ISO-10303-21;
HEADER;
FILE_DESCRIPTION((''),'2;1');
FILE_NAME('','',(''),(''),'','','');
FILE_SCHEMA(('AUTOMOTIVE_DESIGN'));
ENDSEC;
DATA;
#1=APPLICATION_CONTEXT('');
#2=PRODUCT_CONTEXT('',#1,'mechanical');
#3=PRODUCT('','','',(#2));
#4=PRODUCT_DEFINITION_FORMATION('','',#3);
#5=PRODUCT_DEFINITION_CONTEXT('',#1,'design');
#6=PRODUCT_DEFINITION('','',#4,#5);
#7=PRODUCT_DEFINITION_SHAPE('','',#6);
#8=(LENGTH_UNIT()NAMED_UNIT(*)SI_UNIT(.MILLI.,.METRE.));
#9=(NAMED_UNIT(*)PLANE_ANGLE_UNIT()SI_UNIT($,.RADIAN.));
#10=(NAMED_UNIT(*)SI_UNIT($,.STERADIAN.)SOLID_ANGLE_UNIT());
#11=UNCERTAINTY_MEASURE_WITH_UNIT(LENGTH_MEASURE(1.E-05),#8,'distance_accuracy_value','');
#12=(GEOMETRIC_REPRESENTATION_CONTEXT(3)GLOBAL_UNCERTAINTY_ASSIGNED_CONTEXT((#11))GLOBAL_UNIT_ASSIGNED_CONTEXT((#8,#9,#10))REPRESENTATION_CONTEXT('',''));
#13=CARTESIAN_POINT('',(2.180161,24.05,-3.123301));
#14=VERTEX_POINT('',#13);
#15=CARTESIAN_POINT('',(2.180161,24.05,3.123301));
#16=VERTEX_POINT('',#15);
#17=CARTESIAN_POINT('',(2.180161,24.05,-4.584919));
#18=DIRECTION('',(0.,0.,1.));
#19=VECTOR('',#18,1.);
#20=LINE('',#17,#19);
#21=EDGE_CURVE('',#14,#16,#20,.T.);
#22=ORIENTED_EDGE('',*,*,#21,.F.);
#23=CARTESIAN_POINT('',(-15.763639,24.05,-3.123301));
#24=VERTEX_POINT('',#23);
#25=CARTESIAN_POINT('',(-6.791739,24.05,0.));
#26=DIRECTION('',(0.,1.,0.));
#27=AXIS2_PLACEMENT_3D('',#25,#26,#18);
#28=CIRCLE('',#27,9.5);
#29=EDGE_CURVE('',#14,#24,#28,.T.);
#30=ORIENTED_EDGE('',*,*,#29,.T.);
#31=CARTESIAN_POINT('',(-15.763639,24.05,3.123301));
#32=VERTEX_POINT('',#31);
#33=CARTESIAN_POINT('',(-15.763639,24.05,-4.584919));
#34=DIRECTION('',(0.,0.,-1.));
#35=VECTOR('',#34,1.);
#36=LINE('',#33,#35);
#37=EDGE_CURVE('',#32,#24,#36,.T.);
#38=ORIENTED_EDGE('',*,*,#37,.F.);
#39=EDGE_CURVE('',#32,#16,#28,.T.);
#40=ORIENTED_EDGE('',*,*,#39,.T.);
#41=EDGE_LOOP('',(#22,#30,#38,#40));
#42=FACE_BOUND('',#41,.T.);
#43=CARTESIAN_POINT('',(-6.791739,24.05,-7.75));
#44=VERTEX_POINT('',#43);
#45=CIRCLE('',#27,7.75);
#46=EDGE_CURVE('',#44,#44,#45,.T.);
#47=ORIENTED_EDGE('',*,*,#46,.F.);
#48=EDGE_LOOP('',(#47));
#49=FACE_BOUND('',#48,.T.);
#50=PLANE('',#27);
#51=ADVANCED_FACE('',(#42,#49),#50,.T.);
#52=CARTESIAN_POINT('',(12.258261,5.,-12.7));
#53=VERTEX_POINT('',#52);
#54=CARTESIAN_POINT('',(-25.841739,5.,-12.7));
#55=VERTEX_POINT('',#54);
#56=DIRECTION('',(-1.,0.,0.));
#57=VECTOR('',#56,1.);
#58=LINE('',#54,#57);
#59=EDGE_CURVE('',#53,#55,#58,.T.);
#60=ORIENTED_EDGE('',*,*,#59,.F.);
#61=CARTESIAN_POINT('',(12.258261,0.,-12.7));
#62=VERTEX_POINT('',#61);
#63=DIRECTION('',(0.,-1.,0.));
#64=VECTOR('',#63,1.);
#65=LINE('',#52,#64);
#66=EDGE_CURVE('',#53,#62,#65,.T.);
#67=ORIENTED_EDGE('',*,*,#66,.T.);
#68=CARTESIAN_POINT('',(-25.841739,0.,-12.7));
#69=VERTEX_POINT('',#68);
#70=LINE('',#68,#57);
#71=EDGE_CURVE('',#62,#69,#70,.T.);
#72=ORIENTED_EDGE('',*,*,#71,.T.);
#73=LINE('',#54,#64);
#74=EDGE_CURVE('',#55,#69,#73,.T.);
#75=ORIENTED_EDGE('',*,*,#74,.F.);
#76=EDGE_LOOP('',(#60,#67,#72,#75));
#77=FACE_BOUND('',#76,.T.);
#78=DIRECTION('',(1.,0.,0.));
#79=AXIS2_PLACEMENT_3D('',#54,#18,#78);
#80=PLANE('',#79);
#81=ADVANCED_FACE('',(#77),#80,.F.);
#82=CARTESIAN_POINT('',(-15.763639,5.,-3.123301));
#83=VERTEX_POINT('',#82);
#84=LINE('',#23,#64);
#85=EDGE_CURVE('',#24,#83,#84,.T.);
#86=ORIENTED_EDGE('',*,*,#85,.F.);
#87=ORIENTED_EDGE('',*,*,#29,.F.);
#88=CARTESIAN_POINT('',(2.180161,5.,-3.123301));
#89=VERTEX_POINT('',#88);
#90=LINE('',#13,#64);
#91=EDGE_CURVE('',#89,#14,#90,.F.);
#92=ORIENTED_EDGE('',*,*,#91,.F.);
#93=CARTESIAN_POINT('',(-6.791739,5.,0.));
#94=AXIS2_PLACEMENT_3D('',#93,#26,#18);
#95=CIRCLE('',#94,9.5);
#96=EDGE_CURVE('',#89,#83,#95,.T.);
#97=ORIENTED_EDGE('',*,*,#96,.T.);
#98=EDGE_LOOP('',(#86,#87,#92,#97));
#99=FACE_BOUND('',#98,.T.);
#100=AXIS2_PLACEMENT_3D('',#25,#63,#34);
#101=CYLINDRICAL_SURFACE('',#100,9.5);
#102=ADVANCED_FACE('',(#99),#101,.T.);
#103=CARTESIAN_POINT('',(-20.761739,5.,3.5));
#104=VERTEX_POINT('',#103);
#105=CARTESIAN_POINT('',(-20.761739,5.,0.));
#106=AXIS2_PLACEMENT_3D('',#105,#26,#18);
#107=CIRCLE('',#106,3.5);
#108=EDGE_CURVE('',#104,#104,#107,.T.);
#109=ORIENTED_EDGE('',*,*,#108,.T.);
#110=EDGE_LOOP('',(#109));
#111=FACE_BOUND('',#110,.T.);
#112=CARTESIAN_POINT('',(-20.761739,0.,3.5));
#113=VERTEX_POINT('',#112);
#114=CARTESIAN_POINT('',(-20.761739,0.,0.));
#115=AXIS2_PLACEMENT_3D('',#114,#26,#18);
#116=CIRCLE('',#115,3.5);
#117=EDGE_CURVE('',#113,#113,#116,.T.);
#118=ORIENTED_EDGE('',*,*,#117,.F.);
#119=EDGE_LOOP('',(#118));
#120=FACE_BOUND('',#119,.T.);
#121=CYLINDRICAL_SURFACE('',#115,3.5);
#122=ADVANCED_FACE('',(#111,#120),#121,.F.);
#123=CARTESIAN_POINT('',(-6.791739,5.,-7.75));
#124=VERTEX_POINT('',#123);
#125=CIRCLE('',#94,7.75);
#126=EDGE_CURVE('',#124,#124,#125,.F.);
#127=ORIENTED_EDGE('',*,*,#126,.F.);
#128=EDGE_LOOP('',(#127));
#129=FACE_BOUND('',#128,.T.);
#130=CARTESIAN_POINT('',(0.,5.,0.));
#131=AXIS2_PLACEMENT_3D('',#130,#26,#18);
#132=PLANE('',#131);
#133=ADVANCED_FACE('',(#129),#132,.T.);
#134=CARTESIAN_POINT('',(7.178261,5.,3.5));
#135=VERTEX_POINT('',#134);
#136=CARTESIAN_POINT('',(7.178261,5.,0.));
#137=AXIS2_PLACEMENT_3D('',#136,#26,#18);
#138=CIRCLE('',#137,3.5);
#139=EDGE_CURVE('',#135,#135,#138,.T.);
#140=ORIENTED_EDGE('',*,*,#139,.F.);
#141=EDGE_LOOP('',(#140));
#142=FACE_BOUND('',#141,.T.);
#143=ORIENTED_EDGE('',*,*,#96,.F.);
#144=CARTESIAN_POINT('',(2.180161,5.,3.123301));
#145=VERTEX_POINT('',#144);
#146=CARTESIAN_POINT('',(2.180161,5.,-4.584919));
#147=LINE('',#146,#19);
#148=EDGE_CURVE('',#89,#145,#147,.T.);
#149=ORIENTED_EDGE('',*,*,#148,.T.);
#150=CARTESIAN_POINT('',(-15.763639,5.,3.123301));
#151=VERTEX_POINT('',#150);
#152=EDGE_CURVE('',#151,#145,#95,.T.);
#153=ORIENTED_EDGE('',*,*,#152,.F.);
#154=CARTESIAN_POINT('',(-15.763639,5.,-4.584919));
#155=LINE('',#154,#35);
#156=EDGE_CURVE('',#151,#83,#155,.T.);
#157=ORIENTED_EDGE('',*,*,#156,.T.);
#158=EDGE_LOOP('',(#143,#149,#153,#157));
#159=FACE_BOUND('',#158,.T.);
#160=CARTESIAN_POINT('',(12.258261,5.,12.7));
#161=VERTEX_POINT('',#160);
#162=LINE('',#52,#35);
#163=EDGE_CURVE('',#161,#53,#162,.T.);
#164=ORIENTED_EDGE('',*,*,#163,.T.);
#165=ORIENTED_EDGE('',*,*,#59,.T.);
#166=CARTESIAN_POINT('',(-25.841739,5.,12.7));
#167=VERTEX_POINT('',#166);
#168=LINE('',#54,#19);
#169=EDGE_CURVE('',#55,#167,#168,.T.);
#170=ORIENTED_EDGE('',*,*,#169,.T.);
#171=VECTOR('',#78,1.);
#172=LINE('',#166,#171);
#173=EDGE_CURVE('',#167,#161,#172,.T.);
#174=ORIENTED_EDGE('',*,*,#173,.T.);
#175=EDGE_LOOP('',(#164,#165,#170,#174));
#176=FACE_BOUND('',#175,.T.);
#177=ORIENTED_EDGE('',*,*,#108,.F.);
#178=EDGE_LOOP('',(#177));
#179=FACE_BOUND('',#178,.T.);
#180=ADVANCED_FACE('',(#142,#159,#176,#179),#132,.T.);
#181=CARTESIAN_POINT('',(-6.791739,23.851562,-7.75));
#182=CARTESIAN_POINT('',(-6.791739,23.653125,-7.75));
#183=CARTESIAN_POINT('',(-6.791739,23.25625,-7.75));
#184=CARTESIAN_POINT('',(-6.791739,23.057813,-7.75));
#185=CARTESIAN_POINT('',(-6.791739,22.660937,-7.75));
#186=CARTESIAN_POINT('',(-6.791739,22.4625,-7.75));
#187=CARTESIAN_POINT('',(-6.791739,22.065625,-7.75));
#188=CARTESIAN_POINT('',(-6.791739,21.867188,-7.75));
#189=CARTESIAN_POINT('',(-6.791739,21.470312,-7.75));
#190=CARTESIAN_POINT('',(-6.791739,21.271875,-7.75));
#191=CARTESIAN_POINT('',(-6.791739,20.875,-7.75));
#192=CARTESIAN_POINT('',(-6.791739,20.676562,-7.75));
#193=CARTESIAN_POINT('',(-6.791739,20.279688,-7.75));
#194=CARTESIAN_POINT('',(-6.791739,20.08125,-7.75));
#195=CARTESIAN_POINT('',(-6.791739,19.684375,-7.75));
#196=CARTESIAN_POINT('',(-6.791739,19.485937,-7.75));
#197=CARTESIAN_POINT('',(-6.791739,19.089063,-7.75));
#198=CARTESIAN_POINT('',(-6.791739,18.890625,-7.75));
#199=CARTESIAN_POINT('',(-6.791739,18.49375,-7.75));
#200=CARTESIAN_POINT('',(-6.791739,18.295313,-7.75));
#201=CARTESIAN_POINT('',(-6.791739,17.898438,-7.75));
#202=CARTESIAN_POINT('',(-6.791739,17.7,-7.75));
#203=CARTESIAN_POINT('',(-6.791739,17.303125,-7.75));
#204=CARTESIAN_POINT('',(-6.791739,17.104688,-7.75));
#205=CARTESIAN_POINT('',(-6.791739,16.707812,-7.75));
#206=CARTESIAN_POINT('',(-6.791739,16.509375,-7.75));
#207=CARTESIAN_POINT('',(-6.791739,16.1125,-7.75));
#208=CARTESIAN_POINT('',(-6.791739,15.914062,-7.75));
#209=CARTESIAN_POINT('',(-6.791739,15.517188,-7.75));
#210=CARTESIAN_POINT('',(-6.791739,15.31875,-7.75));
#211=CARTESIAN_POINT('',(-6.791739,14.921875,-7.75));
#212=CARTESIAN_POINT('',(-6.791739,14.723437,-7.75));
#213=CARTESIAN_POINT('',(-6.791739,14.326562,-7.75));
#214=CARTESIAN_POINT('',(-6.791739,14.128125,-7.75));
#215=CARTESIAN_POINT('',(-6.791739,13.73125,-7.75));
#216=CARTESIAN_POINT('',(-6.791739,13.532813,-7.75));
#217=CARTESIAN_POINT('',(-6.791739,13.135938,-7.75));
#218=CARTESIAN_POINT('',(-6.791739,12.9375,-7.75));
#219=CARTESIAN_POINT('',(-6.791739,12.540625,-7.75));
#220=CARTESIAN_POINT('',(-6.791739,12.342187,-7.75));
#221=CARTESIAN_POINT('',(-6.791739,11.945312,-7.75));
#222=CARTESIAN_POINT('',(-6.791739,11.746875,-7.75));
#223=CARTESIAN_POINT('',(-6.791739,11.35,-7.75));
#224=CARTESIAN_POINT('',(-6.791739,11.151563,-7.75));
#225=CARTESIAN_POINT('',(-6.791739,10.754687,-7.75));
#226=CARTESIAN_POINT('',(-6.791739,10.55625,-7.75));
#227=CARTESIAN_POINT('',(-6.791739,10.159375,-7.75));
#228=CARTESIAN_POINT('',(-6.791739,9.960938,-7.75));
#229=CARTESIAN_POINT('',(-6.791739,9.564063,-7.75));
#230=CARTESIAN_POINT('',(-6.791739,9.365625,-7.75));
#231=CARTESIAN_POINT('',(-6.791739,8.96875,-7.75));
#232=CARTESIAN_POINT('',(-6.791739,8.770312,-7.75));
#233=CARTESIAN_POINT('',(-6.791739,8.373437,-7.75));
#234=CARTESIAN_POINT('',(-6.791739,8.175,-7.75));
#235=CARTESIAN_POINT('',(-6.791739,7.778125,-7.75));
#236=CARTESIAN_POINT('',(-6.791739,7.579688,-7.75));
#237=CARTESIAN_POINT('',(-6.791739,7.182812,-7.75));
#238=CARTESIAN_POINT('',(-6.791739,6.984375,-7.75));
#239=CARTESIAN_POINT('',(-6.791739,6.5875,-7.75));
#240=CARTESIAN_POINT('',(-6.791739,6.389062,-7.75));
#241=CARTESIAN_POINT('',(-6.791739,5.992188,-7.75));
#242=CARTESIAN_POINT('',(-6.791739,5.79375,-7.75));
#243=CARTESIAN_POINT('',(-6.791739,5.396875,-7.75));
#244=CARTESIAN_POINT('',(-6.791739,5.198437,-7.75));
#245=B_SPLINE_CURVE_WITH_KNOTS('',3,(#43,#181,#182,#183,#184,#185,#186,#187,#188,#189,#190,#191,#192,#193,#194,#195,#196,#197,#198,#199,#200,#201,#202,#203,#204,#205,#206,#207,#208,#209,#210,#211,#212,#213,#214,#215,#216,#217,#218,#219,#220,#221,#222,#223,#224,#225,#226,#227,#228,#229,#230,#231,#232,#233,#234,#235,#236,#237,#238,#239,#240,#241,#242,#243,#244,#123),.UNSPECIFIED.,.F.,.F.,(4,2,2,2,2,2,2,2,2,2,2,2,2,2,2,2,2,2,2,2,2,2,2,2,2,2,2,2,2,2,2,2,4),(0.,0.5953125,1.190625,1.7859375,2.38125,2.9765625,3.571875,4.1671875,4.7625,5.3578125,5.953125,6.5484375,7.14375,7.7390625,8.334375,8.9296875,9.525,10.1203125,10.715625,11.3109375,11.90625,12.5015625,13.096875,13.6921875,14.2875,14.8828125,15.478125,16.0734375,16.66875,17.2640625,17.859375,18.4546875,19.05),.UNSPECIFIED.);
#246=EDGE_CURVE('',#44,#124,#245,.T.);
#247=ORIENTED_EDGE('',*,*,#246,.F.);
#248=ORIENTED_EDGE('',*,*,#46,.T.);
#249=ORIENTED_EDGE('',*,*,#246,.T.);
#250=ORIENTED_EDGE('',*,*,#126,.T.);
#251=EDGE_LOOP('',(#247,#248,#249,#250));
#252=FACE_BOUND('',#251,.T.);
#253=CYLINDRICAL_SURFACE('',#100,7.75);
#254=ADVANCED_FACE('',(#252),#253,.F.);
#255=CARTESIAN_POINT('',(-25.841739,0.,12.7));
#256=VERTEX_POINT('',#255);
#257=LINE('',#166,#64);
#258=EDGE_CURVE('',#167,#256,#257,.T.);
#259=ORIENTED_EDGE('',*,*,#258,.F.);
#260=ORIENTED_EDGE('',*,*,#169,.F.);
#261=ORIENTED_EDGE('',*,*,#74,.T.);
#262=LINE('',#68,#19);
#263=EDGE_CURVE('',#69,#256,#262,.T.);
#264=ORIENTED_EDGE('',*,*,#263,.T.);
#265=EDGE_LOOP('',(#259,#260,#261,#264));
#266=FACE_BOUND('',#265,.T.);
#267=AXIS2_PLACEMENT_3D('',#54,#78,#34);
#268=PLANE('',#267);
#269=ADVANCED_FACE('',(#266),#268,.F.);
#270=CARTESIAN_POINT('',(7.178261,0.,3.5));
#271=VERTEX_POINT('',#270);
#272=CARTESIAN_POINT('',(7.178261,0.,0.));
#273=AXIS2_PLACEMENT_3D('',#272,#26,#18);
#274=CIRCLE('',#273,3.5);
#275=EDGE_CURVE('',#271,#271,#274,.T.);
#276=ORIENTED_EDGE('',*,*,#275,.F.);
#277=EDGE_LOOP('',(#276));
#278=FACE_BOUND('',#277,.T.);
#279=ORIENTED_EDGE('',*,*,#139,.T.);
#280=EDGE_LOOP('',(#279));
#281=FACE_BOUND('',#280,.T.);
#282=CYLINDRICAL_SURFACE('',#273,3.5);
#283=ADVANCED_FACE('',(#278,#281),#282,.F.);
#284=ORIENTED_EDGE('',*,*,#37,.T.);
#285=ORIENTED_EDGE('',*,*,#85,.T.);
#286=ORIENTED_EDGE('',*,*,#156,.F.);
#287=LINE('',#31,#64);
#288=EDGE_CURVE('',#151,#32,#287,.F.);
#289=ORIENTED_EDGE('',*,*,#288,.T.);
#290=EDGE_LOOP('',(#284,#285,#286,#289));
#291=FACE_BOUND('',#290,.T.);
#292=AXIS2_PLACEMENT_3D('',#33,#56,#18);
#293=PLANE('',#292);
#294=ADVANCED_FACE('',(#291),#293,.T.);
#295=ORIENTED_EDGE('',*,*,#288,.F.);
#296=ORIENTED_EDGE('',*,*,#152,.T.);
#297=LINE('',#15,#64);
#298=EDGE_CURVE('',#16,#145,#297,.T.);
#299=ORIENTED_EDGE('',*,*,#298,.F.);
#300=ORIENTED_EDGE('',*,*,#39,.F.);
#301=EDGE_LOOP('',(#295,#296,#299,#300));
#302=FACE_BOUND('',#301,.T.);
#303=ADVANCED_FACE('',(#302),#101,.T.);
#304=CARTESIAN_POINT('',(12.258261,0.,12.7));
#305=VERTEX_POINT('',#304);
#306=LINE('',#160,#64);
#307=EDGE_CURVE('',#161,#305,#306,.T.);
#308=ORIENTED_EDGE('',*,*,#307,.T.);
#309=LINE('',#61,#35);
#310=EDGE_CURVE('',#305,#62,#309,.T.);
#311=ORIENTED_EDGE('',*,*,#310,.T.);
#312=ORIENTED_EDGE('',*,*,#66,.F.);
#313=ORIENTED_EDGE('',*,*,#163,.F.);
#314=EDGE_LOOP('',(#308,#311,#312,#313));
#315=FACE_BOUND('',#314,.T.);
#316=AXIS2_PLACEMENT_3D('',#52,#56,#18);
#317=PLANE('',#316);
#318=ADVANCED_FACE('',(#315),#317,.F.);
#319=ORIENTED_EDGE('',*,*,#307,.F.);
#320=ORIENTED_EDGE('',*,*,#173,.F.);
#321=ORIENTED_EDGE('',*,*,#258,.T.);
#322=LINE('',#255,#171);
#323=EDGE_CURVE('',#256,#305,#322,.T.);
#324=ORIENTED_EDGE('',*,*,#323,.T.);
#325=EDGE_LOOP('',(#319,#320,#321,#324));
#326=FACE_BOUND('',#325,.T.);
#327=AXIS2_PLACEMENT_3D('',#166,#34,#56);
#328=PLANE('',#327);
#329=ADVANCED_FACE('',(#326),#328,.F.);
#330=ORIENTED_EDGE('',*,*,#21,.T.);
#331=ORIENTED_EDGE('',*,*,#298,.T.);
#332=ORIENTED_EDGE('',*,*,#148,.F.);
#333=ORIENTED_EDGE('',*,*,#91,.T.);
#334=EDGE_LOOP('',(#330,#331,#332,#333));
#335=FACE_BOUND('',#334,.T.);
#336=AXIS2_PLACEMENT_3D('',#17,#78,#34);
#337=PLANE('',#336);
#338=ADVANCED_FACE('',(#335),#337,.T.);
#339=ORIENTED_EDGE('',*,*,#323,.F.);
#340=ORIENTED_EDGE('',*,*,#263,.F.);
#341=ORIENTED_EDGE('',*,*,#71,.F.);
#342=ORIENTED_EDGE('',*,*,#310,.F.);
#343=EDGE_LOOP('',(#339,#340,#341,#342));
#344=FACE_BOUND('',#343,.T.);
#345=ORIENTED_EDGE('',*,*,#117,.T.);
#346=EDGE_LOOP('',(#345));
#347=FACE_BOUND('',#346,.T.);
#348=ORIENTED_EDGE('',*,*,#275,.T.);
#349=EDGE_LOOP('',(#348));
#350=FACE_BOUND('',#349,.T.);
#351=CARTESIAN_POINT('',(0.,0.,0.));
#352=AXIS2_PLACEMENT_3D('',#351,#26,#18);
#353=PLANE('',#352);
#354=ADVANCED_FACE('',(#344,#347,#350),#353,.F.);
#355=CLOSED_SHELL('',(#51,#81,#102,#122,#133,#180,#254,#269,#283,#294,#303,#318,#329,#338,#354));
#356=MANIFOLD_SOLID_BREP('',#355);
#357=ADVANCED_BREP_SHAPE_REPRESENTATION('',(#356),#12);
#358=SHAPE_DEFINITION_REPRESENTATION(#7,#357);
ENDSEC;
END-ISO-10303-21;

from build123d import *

# Parameters (mm, degrees)
SKETCH1_W           = 38.1
SKETCH1_H           = 25.4
BOSS_EXTRUDE1_DEPTH = 5
SKETCH3_R           = 9.5
SKETCH3_R_2         = 7.75
BOSS_EXTRUDE2_DEPTH = 19.05
SKETCH4_R           = 3.5
CUT_EXTRUDE1_DEPTH  = 35.525178946
SKETCH5_W           = 1.6
SKETCH5_H           = 10
CUT_EXTRUDE2_DEPTH  = 35.525178946


with BuildPart() as part:
    # Sketch1 → Boss-Extrude1 (new body)
    with BuildSketch(Plane(origin=(0, 0, 0), x_dir=(1, 0, 0), z_dir=(0, 1, 0))):
        with Locations((-6.79173913, 0)):
            Rectangle(SKETCH1_W, SKETCH1_H)
    extrude(amount=BOSS_EXTRUDE1_DEPTH)

    # Sketch3 → Boss-Extrude2 (add)
    with BuildSketch(Plane(origin=(0, 5, 0), x_dir=(1, 0, 0), z_dir=(0, 1, 0))):
        with Locations((-6.79173913, 0)):
            Circle(SKETCH3_R)
        with Locations((-6.79173913, 0)):
            Circle(SKETCH3_R_2, mode=Mode.SUBTRACT)
    extrude(amount=BOSS_EXTRUDE2_DEPTH)

    # Sketch4 → Cut-Extrude1 (cut, through all)
    with BuildSketch(Plane(origin=(0, 5, 0), x_dir=(1, 0, 0), z_dir=(0, 1, 0))):
        with Locations((7.17826087, 0)):
            Circle(SKETCH4_R)
        with Locations((-20.76173913, 0)):
            Circle(SKETCH4_R)
    extrude(amount=-CUT_EXTRUDE1_DEPTH, mode=Mode.SUBTRACT)

    # Sketch5 → Cut-Extrude2 (cut, through all)
    with BuildSketch(Plane(origin=(0, 5, 0), x_dir=(1, 0, 0), z_dir=(0, 1, 0))):
        with Locations((-16.563639087, -0.415081282)):
            Rectangle(SKETCH5_W, SKETCH5_H)
        with Locations((2.980160826, -0.415081282)):
            Rectangle(SKETCH5_W, SKETCH5_H)
    extrude(amount=CUT_EXTRUDE2_DEPTH, mode=Mode.SUBTRACT)


solid = part.part
